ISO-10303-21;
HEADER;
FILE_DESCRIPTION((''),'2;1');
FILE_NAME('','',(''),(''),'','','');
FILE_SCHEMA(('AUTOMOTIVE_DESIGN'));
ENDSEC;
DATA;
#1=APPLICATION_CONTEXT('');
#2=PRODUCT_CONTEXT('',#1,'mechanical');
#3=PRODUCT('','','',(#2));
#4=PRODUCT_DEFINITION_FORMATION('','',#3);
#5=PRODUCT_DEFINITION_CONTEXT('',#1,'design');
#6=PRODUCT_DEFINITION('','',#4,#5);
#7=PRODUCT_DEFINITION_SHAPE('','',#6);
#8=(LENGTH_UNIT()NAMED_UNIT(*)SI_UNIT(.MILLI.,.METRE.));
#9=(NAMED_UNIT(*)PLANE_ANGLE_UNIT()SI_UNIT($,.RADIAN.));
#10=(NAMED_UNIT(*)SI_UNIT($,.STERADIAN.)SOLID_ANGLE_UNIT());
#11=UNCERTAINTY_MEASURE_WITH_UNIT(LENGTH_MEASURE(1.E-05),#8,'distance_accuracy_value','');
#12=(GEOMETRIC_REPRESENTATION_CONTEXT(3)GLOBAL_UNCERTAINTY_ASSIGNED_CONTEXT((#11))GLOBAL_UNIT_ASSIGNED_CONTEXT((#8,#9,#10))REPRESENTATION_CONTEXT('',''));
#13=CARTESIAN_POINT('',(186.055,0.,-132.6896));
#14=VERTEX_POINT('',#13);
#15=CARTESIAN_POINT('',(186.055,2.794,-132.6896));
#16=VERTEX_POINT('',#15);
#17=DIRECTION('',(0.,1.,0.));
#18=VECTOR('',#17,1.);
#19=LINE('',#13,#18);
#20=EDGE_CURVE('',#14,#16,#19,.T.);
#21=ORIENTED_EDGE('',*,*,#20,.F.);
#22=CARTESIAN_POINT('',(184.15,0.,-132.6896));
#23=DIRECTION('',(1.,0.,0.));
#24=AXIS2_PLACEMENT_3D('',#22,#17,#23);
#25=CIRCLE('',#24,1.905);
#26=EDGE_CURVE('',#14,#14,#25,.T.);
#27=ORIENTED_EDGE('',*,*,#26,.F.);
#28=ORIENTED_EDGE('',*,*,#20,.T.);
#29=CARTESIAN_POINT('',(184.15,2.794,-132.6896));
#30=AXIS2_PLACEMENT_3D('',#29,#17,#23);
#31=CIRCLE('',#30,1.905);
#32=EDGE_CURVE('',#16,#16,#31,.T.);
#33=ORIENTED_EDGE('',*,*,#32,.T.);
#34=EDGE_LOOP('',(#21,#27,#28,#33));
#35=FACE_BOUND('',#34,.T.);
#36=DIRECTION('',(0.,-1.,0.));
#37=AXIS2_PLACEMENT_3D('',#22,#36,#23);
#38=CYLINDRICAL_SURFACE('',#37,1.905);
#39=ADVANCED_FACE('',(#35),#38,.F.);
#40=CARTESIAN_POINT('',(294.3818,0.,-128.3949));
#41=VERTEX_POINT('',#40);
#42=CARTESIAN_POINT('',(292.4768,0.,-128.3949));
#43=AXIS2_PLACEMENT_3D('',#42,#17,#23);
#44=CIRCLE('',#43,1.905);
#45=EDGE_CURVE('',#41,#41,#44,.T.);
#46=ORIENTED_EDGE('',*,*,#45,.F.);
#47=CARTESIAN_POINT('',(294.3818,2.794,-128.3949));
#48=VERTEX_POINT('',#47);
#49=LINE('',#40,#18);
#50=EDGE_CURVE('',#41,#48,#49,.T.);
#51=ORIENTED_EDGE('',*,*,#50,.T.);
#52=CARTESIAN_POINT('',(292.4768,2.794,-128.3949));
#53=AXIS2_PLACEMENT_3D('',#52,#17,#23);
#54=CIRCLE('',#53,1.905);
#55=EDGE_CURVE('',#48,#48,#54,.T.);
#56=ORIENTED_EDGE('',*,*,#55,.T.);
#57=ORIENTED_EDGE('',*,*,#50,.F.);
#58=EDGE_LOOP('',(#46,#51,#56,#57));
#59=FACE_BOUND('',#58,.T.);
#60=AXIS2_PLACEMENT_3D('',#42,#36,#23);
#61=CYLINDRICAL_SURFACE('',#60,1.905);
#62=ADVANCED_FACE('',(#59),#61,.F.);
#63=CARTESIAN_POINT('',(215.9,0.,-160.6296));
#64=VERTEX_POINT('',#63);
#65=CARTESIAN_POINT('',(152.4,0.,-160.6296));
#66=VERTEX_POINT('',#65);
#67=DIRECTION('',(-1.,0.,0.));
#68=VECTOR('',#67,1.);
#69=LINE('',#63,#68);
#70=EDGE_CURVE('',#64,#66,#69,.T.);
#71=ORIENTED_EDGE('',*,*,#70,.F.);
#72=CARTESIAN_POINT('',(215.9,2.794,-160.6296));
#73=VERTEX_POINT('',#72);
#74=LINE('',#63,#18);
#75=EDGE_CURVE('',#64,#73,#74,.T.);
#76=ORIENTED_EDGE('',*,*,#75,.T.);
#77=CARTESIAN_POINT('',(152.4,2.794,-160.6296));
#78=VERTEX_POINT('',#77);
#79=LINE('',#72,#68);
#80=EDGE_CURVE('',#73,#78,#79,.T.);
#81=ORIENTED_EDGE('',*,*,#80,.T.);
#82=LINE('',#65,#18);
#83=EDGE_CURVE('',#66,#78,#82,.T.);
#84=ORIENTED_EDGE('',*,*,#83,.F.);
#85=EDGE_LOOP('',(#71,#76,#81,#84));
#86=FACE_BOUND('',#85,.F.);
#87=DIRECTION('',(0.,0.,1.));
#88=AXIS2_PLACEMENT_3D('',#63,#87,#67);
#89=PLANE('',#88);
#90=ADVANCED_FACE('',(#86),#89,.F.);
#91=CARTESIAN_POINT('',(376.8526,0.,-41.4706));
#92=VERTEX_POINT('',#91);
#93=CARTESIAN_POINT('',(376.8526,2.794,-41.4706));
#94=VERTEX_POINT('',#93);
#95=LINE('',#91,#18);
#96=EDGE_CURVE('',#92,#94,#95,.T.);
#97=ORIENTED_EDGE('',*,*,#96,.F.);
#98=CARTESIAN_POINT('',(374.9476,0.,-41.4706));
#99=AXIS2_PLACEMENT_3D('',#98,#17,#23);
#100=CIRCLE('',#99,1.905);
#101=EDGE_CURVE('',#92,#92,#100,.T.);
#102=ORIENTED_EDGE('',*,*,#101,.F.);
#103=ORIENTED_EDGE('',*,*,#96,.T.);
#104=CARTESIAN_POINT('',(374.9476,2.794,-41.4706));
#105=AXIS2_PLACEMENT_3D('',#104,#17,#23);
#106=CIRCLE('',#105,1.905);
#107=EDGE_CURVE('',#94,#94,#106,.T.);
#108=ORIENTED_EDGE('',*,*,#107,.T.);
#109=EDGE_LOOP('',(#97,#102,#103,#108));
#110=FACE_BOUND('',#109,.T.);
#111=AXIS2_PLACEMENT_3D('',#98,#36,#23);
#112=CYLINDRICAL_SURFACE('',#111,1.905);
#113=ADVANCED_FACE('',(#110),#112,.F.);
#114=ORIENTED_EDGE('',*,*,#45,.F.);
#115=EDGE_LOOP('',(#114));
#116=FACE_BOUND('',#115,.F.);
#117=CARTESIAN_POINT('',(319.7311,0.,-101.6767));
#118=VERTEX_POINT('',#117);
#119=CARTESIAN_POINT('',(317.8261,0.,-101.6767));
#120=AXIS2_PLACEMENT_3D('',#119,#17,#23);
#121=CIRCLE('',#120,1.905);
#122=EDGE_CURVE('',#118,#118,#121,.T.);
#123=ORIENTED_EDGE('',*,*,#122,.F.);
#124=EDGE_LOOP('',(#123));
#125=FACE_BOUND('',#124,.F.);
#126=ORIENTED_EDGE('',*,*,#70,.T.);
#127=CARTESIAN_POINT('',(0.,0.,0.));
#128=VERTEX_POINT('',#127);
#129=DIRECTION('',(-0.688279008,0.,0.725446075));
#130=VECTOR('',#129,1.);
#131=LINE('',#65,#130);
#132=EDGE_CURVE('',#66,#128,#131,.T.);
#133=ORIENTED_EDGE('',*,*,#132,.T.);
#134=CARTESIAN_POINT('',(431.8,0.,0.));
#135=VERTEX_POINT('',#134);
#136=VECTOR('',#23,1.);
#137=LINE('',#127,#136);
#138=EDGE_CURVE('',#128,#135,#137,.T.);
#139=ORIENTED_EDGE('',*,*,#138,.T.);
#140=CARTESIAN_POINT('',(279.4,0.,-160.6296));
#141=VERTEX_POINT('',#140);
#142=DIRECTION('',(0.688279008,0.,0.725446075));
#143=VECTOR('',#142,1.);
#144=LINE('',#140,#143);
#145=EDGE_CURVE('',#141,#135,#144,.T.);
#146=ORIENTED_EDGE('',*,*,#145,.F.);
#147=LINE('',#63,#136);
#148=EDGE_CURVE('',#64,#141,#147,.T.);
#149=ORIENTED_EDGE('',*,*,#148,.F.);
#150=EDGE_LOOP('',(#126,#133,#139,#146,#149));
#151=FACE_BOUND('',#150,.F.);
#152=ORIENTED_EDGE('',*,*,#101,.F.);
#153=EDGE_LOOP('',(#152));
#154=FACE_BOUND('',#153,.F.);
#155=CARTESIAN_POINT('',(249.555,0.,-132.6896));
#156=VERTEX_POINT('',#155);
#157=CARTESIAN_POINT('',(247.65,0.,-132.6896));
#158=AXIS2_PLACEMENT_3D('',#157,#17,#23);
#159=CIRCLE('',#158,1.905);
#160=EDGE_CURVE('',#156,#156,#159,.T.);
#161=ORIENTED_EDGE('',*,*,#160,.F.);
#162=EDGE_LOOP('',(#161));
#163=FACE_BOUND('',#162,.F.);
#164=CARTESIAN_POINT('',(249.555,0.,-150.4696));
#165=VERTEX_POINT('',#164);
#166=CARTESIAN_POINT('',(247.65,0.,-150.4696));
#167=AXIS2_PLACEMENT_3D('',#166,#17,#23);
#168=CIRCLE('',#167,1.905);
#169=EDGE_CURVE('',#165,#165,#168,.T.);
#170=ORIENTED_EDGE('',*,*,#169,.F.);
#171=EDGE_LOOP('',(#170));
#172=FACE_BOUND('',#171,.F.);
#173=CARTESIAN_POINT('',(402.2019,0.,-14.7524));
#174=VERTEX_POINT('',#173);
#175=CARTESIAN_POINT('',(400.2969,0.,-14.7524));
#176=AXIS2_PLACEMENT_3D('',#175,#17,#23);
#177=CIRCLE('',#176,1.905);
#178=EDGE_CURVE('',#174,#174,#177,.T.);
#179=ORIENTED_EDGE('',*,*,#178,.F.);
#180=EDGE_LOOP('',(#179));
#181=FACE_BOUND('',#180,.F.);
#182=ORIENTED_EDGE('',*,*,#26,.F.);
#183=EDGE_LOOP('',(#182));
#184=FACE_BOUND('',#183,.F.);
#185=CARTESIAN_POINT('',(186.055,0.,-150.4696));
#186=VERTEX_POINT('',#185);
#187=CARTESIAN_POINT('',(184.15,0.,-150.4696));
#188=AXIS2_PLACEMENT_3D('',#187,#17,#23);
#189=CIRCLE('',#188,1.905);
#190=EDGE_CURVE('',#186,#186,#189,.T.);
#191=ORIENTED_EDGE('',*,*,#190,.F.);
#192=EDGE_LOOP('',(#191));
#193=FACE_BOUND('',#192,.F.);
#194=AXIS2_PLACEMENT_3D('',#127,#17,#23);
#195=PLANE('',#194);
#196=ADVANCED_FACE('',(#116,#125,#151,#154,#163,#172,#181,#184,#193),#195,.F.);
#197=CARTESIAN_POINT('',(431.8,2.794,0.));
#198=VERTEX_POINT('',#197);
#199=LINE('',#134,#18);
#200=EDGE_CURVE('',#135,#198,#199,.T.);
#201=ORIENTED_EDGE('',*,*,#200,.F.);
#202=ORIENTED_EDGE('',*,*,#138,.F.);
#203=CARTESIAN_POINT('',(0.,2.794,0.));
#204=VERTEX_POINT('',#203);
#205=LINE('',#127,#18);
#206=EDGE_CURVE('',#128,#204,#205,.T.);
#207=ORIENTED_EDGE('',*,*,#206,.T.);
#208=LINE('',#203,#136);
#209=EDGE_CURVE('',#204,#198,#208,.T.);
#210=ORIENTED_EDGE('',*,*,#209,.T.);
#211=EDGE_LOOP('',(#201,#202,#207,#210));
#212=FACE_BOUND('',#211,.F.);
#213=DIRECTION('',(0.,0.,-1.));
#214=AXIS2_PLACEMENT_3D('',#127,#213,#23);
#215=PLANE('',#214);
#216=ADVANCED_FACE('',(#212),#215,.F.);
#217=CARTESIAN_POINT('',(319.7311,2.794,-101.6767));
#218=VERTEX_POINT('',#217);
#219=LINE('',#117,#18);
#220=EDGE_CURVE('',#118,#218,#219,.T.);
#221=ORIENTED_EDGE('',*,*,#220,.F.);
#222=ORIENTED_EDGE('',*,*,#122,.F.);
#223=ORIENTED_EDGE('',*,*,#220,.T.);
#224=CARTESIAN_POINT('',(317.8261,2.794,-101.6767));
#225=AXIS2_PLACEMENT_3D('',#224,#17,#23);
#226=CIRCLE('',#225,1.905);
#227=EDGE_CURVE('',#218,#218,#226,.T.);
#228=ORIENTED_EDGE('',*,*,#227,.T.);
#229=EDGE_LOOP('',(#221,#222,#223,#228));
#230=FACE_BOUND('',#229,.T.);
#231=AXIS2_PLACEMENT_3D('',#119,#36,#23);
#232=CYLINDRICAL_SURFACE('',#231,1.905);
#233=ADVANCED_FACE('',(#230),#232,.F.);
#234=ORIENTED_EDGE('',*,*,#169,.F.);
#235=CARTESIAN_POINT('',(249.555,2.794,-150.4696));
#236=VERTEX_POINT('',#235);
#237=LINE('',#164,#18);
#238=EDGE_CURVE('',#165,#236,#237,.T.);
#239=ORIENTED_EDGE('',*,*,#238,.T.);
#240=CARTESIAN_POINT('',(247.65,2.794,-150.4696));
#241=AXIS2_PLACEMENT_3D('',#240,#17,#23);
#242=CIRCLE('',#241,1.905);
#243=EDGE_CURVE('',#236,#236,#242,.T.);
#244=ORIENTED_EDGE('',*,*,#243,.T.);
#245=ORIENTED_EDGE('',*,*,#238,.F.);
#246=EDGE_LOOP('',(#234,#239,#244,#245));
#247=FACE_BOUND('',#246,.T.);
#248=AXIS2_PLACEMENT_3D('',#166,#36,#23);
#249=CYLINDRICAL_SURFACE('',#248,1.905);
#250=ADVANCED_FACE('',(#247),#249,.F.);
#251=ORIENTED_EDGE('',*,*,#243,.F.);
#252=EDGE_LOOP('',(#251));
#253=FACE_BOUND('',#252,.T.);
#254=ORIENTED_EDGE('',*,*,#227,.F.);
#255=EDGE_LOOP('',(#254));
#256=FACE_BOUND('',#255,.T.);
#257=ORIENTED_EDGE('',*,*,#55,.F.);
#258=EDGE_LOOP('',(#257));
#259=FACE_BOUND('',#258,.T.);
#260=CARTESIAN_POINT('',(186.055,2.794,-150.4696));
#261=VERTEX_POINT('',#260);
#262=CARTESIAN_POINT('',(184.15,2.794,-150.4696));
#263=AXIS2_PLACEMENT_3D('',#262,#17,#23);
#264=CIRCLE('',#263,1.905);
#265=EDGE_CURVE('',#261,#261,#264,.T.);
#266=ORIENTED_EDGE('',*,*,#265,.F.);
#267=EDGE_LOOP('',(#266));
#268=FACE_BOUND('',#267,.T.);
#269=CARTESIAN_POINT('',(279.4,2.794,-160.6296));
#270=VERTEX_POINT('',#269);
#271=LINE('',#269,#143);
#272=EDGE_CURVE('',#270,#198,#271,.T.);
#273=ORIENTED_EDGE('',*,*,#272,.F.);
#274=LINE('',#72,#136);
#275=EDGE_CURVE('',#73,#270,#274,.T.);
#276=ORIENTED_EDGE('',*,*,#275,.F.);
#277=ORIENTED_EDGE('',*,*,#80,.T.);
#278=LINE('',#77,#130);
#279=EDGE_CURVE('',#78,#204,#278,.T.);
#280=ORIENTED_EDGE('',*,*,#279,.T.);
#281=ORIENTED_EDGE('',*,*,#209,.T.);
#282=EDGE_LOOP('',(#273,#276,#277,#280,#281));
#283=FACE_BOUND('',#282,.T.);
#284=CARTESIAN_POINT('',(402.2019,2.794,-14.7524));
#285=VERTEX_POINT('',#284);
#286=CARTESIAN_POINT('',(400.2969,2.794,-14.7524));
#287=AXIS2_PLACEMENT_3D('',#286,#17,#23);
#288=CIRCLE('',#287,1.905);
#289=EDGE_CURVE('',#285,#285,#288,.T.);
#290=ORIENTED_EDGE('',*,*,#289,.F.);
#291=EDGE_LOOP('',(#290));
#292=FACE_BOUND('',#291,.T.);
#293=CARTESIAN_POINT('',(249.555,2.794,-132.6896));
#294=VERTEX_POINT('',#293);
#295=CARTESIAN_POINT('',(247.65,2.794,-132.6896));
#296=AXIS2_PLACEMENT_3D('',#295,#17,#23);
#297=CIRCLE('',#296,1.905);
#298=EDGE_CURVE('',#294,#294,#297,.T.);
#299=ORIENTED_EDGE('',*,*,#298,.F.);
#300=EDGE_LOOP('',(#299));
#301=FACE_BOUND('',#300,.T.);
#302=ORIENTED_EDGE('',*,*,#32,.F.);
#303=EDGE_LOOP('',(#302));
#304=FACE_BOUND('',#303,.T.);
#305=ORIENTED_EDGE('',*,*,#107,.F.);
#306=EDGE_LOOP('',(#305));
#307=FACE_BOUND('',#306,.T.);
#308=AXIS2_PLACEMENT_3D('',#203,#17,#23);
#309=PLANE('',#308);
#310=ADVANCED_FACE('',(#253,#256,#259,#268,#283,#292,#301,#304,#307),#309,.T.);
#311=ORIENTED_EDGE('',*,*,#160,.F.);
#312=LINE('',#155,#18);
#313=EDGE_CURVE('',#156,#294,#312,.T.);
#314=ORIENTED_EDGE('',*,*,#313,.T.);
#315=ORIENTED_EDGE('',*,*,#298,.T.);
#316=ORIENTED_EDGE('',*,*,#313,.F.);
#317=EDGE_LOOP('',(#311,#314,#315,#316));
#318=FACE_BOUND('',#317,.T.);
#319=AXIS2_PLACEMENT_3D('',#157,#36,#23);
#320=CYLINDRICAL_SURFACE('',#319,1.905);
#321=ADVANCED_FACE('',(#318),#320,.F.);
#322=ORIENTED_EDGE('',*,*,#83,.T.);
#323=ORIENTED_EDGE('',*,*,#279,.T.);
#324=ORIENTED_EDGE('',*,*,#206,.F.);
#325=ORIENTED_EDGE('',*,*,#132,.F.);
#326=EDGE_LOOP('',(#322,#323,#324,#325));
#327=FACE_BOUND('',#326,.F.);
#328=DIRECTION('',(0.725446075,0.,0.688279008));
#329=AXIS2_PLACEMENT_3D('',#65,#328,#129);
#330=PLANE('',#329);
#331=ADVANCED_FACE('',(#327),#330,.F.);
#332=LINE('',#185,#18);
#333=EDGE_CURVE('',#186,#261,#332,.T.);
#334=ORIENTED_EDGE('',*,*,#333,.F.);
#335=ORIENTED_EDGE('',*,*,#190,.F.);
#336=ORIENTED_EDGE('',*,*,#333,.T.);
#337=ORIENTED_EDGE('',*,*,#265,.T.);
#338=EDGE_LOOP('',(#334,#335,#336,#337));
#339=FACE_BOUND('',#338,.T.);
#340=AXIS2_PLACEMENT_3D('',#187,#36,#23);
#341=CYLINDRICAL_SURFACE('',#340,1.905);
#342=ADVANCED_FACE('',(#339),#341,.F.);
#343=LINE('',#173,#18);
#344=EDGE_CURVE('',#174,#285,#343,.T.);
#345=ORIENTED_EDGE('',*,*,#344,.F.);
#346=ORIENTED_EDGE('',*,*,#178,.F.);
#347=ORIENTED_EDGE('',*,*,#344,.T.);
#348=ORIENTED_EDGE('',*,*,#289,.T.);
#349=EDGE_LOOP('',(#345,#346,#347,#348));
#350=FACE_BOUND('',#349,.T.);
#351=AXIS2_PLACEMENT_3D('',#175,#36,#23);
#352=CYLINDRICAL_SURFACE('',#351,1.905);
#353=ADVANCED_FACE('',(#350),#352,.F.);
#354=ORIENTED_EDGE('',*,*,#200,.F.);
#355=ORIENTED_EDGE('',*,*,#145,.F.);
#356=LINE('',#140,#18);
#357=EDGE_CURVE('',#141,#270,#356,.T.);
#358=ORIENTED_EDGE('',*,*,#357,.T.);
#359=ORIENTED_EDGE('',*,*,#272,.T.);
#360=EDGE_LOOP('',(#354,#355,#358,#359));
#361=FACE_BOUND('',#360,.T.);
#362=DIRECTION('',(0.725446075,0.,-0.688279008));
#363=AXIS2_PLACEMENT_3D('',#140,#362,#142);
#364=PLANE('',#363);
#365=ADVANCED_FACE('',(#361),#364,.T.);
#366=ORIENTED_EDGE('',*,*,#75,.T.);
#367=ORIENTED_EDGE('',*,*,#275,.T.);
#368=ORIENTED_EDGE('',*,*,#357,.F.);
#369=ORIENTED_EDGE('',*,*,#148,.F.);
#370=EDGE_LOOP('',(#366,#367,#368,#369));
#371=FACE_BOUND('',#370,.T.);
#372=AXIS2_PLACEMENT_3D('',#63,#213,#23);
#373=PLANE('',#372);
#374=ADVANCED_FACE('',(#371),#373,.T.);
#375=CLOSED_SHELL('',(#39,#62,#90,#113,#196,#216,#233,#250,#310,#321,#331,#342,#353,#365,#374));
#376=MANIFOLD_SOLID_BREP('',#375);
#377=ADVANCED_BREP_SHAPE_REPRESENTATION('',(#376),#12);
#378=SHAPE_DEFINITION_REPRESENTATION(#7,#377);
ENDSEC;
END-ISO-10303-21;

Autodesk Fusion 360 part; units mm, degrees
sketch "Sketch1" plane through (0, 0, 0) normal (0, 1, 0) x (1, 0, 0)
  line L0 (0, 0) -> (431.8, 0)
  line L1 (215.9, 160.6296) -> (152.4, 160.6296)
  line L2 (215.9, 160.6296) -> (279.4, 160.6296)
  line L3 (279.4, 160.6296) -> (431.8, 0)
  line L4 (152.4, 160.6296) -> (0, 0)
  circle A0 centre (247.65, 132.6896) radius 1.905
  circle A1 centre (184.15, 150.4696) radius 1.905
  circle A2 centre (317.8261, 101.6767) radius 1.905
  circle A3 centre (374.9476, 41.4706) radius 1.905
  circle A4 centre (247.65, 150.4696) radius 1.905
  circle A5 centre (184.15, 132.6896) radius 1.905
  circle A6 centre (292.4768, 128.3949) radius 1.905
  circle A7 centre (400.2969, 14.7524) radius 1.905
  dimension "d1" = 431.8
  dimension "d3" = 63.5
  dimension "d4" = 63.5
extrude "Extrude3" add sketch "Sketch1" along normal blind 2.794
